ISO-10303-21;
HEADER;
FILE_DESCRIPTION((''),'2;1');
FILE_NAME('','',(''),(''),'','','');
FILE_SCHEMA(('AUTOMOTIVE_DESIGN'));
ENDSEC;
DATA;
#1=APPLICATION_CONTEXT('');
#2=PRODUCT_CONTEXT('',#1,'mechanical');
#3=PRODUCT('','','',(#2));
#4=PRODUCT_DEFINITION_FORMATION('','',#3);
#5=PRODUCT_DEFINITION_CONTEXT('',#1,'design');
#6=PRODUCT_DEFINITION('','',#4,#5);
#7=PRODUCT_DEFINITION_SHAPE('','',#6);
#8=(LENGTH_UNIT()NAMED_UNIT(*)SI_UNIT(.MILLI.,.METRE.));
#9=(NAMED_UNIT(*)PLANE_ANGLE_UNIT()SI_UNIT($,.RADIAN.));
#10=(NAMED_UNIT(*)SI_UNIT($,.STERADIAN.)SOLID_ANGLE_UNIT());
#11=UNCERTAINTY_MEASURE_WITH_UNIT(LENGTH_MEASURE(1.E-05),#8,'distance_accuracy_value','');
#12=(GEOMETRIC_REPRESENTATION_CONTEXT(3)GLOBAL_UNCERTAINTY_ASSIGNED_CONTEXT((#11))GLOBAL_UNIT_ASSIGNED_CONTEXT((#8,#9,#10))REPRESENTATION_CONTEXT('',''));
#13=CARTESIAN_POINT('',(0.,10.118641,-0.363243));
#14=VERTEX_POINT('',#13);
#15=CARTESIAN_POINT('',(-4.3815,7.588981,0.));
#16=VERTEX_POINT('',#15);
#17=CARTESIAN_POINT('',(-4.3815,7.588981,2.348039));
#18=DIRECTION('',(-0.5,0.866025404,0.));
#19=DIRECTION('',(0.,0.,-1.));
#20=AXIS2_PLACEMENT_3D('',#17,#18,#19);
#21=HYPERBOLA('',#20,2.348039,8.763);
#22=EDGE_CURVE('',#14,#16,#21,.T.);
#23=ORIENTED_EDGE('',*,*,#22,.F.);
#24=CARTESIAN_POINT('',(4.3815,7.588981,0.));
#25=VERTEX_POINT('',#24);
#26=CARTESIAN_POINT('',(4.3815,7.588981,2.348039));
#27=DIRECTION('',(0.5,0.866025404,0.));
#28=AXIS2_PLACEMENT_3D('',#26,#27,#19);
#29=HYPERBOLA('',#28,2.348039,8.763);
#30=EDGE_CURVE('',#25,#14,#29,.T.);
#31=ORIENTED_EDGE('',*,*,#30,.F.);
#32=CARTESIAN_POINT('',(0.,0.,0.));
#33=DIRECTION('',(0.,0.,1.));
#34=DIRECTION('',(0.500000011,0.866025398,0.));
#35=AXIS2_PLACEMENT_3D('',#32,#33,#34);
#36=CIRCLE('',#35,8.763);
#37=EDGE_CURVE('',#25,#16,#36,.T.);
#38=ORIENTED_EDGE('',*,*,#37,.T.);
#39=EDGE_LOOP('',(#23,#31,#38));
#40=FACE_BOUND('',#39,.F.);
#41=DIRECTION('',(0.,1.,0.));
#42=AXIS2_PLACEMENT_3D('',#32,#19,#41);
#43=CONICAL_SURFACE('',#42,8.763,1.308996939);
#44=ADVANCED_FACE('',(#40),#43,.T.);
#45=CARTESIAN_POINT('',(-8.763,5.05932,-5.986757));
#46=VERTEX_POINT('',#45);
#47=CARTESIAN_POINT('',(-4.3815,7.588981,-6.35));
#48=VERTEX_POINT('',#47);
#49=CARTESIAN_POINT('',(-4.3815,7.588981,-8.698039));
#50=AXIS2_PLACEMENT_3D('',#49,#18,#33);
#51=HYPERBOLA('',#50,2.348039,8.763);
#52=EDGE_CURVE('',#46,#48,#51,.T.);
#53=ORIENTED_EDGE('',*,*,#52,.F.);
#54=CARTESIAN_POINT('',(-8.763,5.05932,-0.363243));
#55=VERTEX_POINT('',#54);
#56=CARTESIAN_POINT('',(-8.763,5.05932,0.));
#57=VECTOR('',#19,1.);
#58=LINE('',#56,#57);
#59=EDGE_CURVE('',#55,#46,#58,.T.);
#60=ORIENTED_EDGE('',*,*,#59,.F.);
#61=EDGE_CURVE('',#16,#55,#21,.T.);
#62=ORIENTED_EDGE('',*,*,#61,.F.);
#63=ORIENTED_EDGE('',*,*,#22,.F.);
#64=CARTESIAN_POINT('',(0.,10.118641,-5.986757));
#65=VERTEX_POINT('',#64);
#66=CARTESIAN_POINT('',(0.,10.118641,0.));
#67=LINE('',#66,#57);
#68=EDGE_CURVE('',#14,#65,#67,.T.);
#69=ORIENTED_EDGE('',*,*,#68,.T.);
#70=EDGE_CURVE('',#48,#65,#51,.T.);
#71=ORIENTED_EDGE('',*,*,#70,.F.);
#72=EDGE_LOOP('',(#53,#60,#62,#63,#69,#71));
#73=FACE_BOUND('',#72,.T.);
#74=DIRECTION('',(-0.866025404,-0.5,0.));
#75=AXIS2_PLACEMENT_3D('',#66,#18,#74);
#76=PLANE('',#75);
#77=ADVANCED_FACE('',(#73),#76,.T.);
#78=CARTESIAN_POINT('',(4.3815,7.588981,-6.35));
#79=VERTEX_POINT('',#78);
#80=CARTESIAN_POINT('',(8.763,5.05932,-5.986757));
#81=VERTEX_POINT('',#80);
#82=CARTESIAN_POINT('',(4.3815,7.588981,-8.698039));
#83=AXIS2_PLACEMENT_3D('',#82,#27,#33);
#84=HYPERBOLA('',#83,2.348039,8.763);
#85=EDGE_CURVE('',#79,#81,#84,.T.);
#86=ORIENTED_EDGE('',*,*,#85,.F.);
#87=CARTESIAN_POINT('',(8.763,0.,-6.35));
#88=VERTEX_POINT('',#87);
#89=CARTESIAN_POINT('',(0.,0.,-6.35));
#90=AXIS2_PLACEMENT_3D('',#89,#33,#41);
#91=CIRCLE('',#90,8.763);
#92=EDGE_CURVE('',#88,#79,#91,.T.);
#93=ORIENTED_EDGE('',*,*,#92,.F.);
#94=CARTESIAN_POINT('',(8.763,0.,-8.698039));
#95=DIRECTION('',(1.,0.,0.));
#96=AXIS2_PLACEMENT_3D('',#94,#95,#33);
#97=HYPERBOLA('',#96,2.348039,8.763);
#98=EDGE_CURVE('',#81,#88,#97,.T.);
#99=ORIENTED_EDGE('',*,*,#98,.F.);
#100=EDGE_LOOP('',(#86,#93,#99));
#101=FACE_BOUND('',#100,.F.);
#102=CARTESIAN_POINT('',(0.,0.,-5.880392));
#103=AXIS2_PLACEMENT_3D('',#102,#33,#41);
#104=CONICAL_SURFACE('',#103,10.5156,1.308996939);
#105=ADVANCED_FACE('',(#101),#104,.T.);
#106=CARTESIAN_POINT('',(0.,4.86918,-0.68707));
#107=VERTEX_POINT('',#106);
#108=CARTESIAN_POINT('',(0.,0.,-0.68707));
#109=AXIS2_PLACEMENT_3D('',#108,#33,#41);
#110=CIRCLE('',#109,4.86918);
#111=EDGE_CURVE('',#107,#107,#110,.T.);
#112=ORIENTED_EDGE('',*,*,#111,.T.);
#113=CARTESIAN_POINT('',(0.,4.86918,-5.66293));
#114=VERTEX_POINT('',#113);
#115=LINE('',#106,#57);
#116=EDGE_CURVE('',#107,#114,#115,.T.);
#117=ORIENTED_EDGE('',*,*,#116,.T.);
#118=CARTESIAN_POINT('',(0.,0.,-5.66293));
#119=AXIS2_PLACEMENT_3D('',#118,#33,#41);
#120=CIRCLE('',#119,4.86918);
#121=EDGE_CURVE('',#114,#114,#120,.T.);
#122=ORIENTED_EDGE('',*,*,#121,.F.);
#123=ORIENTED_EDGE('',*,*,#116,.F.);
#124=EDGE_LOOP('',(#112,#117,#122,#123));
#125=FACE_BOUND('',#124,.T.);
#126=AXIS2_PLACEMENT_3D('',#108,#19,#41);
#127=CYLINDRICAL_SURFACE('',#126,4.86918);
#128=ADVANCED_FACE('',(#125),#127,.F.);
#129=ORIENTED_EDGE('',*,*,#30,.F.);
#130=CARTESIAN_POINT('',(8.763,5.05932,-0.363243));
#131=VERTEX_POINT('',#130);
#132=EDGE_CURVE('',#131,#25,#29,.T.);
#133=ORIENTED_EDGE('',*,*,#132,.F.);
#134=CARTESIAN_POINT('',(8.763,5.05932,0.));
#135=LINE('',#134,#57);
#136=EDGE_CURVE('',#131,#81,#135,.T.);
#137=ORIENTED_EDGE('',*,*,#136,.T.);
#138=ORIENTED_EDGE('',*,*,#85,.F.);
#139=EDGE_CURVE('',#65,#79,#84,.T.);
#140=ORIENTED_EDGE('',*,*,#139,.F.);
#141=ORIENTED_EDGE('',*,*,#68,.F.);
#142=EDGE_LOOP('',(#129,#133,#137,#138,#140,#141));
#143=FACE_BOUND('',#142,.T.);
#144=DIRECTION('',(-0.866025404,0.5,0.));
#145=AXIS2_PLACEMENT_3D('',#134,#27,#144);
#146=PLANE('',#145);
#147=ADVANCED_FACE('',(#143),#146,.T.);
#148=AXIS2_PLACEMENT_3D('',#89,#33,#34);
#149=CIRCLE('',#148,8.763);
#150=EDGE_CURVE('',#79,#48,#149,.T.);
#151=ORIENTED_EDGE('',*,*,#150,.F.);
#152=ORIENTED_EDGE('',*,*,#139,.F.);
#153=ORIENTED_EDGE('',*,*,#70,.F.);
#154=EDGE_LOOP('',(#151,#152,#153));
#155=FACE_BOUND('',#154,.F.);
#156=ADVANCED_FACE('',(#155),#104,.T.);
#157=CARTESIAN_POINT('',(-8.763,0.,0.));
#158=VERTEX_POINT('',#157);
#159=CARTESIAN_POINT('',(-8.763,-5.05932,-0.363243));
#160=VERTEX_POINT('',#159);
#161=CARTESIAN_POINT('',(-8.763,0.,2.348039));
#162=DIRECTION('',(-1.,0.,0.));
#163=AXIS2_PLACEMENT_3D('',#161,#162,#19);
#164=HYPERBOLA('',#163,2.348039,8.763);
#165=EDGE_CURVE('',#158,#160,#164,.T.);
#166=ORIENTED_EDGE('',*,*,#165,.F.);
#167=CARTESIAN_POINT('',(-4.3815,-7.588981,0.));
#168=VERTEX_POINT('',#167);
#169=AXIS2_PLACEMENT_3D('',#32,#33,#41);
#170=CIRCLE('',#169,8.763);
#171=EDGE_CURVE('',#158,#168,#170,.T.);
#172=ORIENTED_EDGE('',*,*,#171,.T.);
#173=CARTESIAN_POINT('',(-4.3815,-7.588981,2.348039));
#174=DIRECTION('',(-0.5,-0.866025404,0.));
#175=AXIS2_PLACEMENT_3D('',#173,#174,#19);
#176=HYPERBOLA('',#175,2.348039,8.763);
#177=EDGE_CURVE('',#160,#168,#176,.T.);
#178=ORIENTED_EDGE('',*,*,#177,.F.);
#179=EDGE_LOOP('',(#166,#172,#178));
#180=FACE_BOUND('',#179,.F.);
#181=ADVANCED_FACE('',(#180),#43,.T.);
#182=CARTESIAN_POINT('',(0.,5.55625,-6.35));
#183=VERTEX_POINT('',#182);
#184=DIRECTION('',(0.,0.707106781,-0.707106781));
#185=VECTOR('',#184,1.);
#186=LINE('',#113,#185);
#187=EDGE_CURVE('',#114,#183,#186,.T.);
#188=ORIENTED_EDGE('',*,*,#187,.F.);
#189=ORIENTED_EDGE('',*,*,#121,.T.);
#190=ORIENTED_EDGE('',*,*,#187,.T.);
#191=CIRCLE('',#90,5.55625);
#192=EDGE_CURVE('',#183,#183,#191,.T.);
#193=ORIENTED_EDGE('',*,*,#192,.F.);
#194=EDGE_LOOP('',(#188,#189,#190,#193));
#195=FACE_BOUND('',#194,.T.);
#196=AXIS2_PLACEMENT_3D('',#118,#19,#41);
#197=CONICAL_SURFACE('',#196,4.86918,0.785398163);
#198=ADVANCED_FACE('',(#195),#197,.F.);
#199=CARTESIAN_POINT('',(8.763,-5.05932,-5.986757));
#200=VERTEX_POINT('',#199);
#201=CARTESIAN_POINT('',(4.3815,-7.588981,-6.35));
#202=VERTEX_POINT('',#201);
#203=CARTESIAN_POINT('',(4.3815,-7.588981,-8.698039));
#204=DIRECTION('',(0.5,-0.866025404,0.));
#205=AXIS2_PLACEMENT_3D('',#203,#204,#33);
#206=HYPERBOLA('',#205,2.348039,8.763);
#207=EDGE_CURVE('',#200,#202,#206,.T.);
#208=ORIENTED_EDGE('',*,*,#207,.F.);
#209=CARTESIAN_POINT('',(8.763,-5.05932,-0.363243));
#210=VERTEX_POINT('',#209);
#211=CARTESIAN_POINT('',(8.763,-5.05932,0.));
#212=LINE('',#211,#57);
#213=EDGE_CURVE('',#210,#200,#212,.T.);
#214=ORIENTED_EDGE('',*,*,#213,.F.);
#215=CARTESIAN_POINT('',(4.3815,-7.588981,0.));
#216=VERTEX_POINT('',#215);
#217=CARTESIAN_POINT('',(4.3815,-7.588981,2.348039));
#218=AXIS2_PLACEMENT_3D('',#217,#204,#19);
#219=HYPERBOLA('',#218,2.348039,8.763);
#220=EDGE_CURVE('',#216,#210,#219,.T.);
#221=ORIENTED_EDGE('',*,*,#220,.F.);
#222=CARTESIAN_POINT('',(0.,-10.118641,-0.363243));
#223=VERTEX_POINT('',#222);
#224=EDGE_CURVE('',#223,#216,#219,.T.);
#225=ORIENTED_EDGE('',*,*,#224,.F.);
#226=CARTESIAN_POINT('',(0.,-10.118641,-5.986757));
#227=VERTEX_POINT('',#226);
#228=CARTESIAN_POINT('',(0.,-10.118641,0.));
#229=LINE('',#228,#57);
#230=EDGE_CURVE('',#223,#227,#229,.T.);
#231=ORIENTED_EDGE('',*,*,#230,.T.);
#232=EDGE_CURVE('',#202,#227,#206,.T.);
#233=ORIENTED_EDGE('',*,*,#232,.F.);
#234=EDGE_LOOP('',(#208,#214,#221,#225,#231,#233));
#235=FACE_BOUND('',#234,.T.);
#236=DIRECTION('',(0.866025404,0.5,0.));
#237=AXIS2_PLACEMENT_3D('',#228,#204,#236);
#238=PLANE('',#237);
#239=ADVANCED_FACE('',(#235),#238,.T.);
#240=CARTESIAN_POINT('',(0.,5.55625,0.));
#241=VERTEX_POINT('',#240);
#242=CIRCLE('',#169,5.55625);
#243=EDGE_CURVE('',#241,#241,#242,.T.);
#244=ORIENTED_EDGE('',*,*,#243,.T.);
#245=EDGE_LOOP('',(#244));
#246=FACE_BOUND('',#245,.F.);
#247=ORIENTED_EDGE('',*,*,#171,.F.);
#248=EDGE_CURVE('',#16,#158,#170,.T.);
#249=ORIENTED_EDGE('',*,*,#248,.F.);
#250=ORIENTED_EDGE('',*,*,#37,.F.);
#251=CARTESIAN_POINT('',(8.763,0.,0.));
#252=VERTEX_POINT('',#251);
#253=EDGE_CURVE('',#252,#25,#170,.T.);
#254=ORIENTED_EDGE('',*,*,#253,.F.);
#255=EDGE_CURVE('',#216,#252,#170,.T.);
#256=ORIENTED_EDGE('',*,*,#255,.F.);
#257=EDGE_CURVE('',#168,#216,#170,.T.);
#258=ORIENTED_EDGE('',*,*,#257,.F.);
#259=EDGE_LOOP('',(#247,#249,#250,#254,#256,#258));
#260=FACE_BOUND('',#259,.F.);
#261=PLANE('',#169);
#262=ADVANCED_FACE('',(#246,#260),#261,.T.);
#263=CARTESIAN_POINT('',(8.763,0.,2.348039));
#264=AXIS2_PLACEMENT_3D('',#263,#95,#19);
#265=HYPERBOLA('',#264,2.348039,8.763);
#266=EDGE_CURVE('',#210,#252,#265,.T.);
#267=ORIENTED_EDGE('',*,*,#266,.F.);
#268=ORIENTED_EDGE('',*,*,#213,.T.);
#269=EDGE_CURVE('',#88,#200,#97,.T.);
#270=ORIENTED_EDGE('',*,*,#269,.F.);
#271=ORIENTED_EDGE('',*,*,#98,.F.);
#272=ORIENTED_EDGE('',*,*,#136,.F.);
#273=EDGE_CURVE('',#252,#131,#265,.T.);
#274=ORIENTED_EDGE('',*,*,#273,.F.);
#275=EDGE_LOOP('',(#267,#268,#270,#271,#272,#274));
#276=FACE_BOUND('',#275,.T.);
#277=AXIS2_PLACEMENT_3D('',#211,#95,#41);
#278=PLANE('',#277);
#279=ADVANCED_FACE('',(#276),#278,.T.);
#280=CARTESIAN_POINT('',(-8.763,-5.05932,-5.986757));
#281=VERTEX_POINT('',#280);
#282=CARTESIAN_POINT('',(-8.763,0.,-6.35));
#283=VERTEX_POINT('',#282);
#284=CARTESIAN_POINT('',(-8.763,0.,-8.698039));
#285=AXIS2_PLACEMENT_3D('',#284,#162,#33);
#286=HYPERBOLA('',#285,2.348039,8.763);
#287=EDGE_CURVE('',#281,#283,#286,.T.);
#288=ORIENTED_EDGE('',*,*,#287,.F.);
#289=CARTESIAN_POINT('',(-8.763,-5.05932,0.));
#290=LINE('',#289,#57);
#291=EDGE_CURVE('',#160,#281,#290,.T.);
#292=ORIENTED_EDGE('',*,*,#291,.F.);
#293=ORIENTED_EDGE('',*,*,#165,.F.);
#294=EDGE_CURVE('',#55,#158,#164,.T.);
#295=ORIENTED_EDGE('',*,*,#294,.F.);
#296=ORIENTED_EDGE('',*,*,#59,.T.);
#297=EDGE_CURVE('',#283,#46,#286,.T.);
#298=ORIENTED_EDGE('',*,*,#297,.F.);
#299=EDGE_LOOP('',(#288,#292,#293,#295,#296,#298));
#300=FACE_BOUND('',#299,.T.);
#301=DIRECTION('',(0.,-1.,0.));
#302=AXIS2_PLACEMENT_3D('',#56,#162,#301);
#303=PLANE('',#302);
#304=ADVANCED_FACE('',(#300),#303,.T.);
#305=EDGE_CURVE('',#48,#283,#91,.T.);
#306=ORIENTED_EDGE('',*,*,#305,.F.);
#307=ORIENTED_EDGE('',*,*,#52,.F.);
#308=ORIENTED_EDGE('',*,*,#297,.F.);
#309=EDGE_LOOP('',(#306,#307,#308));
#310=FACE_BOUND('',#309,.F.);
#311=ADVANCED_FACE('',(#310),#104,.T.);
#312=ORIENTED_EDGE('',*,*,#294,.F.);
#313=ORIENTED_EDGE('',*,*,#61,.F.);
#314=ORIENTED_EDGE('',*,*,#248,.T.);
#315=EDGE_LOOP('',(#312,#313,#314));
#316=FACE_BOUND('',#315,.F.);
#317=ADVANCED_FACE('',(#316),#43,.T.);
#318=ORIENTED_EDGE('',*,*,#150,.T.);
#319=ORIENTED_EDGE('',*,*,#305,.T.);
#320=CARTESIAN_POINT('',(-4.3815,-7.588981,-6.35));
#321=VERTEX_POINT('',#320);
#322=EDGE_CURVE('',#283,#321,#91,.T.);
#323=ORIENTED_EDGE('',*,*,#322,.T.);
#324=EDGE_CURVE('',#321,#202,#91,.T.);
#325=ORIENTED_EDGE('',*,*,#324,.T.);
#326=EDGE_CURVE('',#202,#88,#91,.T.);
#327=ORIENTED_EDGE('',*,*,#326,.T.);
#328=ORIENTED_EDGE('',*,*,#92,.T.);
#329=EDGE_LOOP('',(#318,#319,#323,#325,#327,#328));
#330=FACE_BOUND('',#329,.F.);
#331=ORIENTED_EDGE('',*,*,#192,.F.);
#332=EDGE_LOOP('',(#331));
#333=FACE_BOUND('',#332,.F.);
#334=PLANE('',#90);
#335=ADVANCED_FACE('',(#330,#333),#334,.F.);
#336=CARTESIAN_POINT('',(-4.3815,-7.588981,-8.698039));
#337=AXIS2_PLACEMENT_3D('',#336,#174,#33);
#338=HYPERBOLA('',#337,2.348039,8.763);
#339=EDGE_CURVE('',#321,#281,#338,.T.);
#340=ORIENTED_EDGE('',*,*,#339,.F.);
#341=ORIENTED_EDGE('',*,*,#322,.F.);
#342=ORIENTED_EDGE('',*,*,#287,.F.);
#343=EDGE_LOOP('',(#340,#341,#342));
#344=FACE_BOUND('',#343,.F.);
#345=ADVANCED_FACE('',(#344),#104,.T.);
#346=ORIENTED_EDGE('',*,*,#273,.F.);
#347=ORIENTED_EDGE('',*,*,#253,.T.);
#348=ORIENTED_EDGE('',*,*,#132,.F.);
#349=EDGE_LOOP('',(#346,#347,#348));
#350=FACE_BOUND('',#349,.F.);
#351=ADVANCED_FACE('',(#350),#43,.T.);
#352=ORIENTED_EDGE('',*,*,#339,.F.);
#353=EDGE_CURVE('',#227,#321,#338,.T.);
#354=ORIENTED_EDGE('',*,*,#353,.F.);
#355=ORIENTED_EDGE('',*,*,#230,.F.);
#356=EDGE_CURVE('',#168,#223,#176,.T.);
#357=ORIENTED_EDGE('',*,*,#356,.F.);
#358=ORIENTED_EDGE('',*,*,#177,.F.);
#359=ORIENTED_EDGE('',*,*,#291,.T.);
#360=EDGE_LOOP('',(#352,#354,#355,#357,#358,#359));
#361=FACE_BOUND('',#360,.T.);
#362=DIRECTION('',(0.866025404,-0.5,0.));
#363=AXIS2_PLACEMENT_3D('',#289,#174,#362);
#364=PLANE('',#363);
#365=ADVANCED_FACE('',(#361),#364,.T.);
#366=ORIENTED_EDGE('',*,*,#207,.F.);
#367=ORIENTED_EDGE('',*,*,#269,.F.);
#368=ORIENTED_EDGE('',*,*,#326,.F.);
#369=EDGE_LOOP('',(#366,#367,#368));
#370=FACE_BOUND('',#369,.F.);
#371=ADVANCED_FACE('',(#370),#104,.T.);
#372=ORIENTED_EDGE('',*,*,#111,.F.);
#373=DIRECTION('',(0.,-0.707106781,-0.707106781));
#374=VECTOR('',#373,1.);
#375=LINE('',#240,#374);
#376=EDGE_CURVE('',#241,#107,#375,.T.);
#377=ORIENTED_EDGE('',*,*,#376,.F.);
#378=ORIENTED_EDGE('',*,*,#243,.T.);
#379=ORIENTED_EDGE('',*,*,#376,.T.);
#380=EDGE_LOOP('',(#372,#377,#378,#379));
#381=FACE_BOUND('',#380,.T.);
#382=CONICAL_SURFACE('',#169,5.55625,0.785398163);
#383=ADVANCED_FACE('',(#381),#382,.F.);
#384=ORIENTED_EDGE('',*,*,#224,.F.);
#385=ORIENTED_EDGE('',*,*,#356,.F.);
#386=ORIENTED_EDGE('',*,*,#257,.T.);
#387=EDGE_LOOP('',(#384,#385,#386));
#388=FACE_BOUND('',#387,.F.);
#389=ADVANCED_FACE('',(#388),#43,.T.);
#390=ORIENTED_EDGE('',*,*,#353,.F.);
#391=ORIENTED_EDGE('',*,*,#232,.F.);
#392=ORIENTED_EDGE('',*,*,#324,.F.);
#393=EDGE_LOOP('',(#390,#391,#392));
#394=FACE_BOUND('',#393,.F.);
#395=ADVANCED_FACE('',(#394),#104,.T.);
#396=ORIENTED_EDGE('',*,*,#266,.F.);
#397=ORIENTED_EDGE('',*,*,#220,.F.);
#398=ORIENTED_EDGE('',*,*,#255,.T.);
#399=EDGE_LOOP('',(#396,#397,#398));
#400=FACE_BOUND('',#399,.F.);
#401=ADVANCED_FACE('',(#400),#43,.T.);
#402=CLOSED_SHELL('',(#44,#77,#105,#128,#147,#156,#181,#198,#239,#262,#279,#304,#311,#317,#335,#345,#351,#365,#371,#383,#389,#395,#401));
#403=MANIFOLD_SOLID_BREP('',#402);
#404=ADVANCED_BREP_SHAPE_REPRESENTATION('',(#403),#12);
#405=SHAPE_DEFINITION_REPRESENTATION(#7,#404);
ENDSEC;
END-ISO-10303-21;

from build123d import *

# Parameters (mm, degrees)
SKETCH2_W          = 35.052
SKETCH2_H          = 35.052
CUT_EXTRUDE1_DEPTH = 6.35


with BuildPart() as part:
    # Sketch1 → Revolve1 (revolve)
    with BuildSketch(Plane(origin=(0, 0, 0), x_dir=(0, 0, -1), z_dir=(1, 0, 0))):
        Polygon((0, 0), (0, 8.763), (0.469607755, 10.5156), (5.880392245, 10.5156), (6.35, 8.763), (6.35, 0), align=None)
    revolve(axis=Axis((0, 0, -6.35), (0, 0, 1)))

    # Sketch2 → Cut-Extrude1 (cut)
    with BuildSketch(Plane.XY):
        Rectangle(SKETCH2_W, SKETCH2_H)
        Polygon((-8.763, -5.059320409), (0, -10.118640818), (8.763, -5.059320409), (8.763, 5.059320409), (0, 10.118640818), (-8.763, 5.059320409), align=None, mode=Mode.SUBTRACT)
    extrude(amount=-CUT_EXTRUDE1_DEPTH, mode=Mode.SUBTRACT)

    # Sketch3 → Cut-Revolve1 (revolve, cut)
    with BuildSketch(Plane(origin=(0, 0, 0), x_dir=(0, 0, -1), z_dir=(1, 0, 0))):
        Polygon((0, 0), (0, 5.55625), (0.68707, 4.86918), (5.66293, 4.86918), (6.35, 5.55625), (6.35, 0), align=None)
    revolve(axis=Axis((0, 0, -6.35), (0, 0, 1)), mode=Mode.SUBTRACT)


solid = part.part
